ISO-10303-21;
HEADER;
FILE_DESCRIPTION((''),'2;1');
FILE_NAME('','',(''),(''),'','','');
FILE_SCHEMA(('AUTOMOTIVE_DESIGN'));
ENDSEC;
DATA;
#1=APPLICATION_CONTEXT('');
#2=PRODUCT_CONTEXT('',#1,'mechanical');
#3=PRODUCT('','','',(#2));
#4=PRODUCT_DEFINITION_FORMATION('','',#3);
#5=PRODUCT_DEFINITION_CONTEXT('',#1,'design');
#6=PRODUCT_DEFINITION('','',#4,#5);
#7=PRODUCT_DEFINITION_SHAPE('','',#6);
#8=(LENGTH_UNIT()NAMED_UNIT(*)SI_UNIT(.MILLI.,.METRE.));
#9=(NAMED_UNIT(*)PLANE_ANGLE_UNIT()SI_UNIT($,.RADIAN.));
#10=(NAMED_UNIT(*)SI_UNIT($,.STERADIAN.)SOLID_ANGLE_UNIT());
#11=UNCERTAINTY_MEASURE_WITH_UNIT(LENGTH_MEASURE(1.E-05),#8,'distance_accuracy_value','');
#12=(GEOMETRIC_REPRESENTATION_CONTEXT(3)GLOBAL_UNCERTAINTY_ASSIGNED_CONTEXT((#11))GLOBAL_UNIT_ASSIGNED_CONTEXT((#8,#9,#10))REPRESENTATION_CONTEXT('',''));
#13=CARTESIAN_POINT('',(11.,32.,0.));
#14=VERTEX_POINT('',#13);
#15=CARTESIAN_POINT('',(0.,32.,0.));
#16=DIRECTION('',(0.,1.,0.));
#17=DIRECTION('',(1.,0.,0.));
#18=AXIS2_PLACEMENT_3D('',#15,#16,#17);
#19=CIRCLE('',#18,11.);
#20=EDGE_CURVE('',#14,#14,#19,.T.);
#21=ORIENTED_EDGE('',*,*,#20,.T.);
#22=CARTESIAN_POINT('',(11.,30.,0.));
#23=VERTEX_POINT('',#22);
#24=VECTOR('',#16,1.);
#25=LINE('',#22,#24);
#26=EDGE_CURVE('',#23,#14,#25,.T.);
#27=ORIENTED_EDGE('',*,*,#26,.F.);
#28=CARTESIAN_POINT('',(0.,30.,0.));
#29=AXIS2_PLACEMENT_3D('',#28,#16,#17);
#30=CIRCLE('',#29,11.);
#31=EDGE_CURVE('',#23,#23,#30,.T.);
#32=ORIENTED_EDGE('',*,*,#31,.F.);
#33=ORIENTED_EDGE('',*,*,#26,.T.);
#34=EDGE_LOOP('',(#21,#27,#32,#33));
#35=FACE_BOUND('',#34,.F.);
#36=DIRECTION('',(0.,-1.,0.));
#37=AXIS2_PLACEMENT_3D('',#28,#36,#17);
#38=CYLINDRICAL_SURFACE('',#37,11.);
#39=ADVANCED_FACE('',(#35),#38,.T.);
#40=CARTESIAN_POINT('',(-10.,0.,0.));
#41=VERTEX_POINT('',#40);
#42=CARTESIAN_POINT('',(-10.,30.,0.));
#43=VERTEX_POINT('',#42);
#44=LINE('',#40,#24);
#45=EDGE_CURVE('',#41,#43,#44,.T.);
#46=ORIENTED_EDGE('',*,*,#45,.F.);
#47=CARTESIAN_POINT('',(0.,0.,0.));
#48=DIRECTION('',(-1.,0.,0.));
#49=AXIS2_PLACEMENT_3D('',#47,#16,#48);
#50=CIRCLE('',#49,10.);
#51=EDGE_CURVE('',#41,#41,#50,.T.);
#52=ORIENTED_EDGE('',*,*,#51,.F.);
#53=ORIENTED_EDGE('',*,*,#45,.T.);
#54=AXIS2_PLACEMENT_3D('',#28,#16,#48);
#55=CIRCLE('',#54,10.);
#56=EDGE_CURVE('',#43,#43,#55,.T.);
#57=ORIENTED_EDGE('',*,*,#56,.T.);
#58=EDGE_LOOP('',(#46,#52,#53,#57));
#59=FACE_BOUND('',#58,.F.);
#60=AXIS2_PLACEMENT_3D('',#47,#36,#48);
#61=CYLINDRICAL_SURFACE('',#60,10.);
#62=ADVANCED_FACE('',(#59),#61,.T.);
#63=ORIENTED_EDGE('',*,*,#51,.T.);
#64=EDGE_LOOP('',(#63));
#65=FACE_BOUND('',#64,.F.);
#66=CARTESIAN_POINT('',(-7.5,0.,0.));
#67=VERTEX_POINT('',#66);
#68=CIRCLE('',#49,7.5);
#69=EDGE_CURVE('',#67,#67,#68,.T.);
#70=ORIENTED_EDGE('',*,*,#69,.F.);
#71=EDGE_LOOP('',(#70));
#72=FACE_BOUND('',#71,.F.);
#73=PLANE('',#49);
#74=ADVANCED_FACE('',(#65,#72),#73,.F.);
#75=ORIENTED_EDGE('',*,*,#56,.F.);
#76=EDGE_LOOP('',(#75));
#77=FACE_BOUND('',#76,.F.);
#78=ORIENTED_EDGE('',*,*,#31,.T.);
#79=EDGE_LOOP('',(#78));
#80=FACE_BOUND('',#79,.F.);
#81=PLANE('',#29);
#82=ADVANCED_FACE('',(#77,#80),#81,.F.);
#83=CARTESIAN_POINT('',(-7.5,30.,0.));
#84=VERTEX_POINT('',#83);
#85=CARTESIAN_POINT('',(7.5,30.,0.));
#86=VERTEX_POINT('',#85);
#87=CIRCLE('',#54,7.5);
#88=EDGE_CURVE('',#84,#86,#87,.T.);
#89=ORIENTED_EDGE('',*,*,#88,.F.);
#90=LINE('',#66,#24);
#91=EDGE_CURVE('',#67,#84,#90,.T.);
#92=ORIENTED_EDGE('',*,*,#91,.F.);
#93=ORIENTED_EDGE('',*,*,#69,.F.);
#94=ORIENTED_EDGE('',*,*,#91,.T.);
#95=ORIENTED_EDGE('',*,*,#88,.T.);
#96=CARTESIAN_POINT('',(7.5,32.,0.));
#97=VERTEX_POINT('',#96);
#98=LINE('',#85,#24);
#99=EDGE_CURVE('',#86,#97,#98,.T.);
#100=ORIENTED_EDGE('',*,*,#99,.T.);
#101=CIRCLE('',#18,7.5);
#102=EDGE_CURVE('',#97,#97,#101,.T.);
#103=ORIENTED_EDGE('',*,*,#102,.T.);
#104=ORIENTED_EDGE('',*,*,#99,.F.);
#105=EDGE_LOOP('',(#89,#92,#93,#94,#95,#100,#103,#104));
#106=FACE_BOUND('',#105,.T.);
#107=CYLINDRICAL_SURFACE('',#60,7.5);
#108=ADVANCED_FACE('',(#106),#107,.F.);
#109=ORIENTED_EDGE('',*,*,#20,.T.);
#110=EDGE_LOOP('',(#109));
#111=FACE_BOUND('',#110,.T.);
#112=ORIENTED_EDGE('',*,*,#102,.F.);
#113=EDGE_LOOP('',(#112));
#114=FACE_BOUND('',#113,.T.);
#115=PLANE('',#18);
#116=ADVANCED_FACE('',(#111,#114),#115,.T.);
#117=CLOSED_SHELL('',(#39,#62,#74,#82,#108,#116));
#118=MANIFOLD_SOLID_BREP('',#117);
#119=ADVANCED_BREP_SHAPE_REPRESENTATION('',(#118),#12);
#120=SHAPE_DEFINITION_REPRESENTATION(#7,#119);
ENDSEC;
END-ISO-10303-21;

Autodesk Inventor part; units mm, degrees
ref_plane "YZ Plane" through (0, 0, 0) normal (1, 0, 0) x (0, 1, 0)
ref_plane "XZ Plane" through (0, 0, 0) normal (0, 1, 0) x (-1, 0, 0)
ref_plane "XY Plane" through (0, 0, 0) normal (0, 0, 1) x (1, 0, 0)
sketch "Sketch1" plane through (0, 0, 0) normal (0, 1, 0) x (-1, 0, 0)
  circle A0 centre (0, 0) radius 7.5
  circle A1 centre (0, 0) radius 10
  dimension "d0" = 15
  dimension "d1" = 20
extrude "Extrusion1" add sketch "Sketch1" along normal blind 30
sketch "Sketch2" plane through (0, 30, 0) normal (0, 1, 0) x (1, 0, 0)
  circle A0 centre (0, 0) radius 11
  circle A1 centre (0, 0) radius 7.5 projected
  dimension "d4" = 22
extrude "Extrusion2" add sketch "Sketch2" along normal blind 2
properties part number "Separator"
